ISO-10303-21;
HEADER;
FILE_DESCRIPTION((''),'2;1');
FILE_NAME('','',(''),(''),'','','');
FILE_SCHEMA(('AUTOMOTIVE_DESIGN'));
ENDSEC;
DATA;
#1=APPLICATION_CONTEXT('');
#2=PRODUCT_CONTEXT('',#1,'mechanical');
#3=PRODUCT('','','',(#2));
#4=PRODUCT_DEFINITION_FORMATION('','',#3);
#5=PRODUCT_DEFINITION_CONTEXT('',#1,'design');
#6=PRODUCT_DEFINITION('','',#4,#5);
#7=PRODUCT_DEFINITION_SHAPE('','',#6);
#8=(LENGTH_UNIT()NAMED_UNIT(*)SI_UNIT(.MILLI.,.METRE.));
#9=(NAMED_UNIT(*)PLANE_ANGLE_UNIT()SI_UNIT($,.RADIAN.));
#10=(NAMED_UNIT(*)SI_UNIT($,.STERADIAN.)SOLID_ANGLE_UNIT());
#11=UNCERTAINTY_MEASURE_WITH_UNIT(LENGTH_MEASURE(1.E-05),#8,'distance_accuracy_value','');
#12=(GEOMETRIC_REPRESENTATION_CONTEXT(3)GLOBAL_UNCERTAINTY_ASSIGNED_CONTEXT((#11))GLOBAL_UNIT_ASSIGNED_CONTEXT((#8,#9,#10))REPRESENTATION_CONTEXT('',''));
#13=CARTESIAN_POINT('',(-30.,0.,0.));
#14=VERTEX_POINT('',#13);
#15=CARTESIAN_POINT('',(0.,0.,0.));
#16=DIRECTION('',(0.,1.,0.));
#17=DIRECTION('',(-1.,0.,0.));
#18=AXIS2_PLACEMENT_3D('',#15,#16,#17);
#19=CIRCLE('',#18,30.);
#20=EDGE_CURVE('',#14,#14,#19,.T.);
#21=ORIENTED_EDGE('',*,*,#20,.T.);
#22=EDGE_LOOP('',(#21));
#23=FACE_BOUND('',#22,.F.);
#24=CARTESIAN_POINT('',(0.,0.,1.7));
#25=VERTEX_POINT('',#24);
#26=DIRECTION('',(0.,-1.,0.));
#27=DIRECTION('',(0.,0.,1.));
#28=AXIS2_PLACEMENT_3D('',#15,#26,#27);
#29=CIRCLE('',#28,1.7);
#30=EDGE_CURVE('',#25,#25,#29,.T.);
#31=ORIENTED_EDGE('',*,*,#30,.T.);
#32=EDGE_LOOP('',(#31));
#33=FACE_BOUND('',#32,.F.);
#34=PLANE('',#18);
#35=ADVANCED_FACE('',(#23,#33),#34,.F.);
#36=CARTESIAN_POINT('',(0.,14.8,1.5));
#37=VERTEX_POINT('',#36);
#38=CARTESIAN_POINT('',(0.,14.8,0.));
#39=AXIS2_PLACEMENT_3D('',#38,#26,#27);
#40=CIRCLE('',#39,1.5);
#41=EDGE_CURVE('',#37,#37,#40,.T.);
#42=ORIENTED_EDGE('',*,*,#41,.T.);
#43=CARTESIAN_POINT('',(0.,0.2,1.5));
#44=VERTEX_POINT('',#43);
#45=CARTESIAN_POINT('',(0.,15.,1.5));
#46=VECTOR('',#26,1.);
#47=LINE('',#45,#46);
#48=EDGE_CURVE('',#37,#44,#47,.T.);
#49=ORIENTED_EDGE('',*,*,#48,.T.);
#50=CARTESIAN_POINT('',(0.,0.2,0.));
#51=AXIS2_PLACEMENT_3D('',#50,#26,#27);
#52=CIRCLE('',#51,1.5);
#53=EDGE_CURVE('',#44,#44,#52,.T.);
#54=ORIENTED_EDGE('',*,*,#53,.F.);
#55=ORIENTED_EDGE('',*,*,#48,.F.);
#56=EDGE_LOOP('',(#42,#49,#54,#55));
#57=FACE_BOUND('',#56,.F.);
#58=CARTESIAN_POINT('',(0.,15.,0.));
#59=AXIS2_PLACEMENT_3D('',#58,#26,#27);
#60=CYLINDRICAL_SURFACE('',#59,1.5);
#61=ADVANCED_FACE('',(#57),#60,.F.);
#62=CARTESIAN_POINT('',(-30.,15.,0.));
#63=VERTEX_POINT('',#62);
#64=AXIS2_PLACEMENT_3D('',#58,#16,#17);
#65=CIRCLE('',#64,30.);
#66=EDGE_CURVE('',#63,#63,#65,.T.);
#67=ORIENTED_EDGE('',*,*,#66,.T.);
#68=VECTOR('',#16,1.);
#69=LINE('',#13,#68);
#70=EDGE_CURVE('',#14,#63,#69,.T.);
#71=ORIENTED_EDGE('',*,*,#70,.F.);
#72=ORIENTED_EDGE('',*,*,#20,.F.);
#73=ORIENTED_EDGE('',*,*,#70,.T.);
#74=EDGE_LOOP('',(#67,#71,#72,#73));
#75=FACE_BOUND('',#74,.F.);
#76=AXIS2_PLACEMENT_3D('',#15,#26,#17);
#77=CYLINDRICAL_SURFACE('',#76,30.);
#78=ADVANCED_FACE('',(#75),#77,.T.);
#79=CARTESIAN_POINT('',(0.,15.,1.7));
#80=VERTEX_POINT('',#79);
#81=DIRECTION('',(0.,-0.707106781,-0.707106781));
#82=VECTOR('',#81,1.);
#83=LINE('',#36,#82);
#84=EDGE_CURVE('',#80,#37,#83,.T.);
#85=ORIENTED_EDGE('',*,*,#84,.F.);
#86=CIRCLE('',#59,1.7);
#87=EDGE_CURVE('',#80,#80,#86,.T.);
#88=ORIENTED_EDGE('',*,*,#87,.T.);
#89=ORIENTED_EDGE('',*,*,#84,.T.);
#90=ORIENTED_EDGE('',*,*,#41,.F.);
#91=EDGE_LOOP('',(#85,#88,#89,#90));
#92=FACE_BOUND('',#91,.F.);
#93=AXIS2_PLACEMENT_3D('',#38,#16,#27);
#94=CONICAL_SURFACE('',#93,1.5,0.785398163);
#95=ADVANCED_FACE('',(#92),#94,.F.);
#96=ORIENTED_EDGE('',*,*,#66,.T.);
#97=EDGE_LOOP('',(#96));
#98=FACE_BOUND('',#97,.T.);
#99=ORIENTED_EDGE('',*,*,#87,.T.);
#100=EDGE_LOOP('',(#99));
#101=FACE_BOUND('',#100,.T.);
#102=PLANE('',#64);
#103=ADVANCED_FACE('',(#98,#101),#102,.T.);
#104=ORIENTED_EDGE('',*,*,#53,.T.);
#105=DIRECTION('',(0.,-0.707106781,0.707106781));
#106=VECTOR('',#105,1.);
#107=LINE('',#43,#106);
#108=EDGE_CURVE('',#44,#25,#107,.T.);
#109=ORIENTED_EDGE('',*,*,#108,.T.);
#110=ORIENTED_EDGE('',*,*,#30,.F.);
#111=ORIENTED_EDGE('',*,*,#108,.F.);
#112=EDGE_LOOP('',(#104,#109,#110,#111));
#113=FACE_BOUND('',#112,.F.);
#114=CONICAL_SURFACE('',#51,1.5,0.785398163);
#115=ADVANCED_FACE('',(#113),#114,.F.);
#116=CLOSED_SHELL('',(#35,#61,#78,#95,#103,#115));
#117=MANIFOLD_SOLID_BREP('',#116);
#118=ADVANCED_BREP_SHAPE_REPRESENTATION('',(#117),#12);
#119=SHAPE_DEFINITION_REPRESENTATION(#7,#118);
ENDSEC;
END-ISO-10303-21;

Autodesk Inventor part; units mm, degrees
ref_plane "YZ Plane" through (0, 0, 0) normal (1, 0, 0) x (0, 1, 0)
ref_plane "XZ Plane" through (0, 0, 0) normal (0, 1, 0) x (-1, 0, 0)
ref_plane "XY Plane" through (0, 0, 0) normal (0, 0, 1) x (1, 0, 0)
sketch "Szkic1" plane through (0, 0, 0) normal (0, 1, 0) x (-1, 0, 0)
  circle A0 centre (0, 0) radius 30
  dimension "d0" = 60
extrude "Wyciągnięcie proste1" add sketch "Szkic1" along normal blind 15
sketch "Szkic2" plane through (0, 15, 0) normal (0, 1, 0) x (1, 0, 0)
  circle A0 centre (0, 0) radius 30 projected
  circle A1 centre (0, 0) radius 1.5
  dimension "d3" = 3
hole "Otwór1" at (0, 15, 0) direction (0, -1, 0) diameter 3 depth 15 tip angle 118
chamfer "Faza1" distance 0.2 angle 45 1 edges at (0, 15, -1.5)
chamfer "Faza2" distance 0.2 angle 45 1 edges at (0, 0, -1.5)
properties part number "koło" material "Żywica acetalowa, czarna"
